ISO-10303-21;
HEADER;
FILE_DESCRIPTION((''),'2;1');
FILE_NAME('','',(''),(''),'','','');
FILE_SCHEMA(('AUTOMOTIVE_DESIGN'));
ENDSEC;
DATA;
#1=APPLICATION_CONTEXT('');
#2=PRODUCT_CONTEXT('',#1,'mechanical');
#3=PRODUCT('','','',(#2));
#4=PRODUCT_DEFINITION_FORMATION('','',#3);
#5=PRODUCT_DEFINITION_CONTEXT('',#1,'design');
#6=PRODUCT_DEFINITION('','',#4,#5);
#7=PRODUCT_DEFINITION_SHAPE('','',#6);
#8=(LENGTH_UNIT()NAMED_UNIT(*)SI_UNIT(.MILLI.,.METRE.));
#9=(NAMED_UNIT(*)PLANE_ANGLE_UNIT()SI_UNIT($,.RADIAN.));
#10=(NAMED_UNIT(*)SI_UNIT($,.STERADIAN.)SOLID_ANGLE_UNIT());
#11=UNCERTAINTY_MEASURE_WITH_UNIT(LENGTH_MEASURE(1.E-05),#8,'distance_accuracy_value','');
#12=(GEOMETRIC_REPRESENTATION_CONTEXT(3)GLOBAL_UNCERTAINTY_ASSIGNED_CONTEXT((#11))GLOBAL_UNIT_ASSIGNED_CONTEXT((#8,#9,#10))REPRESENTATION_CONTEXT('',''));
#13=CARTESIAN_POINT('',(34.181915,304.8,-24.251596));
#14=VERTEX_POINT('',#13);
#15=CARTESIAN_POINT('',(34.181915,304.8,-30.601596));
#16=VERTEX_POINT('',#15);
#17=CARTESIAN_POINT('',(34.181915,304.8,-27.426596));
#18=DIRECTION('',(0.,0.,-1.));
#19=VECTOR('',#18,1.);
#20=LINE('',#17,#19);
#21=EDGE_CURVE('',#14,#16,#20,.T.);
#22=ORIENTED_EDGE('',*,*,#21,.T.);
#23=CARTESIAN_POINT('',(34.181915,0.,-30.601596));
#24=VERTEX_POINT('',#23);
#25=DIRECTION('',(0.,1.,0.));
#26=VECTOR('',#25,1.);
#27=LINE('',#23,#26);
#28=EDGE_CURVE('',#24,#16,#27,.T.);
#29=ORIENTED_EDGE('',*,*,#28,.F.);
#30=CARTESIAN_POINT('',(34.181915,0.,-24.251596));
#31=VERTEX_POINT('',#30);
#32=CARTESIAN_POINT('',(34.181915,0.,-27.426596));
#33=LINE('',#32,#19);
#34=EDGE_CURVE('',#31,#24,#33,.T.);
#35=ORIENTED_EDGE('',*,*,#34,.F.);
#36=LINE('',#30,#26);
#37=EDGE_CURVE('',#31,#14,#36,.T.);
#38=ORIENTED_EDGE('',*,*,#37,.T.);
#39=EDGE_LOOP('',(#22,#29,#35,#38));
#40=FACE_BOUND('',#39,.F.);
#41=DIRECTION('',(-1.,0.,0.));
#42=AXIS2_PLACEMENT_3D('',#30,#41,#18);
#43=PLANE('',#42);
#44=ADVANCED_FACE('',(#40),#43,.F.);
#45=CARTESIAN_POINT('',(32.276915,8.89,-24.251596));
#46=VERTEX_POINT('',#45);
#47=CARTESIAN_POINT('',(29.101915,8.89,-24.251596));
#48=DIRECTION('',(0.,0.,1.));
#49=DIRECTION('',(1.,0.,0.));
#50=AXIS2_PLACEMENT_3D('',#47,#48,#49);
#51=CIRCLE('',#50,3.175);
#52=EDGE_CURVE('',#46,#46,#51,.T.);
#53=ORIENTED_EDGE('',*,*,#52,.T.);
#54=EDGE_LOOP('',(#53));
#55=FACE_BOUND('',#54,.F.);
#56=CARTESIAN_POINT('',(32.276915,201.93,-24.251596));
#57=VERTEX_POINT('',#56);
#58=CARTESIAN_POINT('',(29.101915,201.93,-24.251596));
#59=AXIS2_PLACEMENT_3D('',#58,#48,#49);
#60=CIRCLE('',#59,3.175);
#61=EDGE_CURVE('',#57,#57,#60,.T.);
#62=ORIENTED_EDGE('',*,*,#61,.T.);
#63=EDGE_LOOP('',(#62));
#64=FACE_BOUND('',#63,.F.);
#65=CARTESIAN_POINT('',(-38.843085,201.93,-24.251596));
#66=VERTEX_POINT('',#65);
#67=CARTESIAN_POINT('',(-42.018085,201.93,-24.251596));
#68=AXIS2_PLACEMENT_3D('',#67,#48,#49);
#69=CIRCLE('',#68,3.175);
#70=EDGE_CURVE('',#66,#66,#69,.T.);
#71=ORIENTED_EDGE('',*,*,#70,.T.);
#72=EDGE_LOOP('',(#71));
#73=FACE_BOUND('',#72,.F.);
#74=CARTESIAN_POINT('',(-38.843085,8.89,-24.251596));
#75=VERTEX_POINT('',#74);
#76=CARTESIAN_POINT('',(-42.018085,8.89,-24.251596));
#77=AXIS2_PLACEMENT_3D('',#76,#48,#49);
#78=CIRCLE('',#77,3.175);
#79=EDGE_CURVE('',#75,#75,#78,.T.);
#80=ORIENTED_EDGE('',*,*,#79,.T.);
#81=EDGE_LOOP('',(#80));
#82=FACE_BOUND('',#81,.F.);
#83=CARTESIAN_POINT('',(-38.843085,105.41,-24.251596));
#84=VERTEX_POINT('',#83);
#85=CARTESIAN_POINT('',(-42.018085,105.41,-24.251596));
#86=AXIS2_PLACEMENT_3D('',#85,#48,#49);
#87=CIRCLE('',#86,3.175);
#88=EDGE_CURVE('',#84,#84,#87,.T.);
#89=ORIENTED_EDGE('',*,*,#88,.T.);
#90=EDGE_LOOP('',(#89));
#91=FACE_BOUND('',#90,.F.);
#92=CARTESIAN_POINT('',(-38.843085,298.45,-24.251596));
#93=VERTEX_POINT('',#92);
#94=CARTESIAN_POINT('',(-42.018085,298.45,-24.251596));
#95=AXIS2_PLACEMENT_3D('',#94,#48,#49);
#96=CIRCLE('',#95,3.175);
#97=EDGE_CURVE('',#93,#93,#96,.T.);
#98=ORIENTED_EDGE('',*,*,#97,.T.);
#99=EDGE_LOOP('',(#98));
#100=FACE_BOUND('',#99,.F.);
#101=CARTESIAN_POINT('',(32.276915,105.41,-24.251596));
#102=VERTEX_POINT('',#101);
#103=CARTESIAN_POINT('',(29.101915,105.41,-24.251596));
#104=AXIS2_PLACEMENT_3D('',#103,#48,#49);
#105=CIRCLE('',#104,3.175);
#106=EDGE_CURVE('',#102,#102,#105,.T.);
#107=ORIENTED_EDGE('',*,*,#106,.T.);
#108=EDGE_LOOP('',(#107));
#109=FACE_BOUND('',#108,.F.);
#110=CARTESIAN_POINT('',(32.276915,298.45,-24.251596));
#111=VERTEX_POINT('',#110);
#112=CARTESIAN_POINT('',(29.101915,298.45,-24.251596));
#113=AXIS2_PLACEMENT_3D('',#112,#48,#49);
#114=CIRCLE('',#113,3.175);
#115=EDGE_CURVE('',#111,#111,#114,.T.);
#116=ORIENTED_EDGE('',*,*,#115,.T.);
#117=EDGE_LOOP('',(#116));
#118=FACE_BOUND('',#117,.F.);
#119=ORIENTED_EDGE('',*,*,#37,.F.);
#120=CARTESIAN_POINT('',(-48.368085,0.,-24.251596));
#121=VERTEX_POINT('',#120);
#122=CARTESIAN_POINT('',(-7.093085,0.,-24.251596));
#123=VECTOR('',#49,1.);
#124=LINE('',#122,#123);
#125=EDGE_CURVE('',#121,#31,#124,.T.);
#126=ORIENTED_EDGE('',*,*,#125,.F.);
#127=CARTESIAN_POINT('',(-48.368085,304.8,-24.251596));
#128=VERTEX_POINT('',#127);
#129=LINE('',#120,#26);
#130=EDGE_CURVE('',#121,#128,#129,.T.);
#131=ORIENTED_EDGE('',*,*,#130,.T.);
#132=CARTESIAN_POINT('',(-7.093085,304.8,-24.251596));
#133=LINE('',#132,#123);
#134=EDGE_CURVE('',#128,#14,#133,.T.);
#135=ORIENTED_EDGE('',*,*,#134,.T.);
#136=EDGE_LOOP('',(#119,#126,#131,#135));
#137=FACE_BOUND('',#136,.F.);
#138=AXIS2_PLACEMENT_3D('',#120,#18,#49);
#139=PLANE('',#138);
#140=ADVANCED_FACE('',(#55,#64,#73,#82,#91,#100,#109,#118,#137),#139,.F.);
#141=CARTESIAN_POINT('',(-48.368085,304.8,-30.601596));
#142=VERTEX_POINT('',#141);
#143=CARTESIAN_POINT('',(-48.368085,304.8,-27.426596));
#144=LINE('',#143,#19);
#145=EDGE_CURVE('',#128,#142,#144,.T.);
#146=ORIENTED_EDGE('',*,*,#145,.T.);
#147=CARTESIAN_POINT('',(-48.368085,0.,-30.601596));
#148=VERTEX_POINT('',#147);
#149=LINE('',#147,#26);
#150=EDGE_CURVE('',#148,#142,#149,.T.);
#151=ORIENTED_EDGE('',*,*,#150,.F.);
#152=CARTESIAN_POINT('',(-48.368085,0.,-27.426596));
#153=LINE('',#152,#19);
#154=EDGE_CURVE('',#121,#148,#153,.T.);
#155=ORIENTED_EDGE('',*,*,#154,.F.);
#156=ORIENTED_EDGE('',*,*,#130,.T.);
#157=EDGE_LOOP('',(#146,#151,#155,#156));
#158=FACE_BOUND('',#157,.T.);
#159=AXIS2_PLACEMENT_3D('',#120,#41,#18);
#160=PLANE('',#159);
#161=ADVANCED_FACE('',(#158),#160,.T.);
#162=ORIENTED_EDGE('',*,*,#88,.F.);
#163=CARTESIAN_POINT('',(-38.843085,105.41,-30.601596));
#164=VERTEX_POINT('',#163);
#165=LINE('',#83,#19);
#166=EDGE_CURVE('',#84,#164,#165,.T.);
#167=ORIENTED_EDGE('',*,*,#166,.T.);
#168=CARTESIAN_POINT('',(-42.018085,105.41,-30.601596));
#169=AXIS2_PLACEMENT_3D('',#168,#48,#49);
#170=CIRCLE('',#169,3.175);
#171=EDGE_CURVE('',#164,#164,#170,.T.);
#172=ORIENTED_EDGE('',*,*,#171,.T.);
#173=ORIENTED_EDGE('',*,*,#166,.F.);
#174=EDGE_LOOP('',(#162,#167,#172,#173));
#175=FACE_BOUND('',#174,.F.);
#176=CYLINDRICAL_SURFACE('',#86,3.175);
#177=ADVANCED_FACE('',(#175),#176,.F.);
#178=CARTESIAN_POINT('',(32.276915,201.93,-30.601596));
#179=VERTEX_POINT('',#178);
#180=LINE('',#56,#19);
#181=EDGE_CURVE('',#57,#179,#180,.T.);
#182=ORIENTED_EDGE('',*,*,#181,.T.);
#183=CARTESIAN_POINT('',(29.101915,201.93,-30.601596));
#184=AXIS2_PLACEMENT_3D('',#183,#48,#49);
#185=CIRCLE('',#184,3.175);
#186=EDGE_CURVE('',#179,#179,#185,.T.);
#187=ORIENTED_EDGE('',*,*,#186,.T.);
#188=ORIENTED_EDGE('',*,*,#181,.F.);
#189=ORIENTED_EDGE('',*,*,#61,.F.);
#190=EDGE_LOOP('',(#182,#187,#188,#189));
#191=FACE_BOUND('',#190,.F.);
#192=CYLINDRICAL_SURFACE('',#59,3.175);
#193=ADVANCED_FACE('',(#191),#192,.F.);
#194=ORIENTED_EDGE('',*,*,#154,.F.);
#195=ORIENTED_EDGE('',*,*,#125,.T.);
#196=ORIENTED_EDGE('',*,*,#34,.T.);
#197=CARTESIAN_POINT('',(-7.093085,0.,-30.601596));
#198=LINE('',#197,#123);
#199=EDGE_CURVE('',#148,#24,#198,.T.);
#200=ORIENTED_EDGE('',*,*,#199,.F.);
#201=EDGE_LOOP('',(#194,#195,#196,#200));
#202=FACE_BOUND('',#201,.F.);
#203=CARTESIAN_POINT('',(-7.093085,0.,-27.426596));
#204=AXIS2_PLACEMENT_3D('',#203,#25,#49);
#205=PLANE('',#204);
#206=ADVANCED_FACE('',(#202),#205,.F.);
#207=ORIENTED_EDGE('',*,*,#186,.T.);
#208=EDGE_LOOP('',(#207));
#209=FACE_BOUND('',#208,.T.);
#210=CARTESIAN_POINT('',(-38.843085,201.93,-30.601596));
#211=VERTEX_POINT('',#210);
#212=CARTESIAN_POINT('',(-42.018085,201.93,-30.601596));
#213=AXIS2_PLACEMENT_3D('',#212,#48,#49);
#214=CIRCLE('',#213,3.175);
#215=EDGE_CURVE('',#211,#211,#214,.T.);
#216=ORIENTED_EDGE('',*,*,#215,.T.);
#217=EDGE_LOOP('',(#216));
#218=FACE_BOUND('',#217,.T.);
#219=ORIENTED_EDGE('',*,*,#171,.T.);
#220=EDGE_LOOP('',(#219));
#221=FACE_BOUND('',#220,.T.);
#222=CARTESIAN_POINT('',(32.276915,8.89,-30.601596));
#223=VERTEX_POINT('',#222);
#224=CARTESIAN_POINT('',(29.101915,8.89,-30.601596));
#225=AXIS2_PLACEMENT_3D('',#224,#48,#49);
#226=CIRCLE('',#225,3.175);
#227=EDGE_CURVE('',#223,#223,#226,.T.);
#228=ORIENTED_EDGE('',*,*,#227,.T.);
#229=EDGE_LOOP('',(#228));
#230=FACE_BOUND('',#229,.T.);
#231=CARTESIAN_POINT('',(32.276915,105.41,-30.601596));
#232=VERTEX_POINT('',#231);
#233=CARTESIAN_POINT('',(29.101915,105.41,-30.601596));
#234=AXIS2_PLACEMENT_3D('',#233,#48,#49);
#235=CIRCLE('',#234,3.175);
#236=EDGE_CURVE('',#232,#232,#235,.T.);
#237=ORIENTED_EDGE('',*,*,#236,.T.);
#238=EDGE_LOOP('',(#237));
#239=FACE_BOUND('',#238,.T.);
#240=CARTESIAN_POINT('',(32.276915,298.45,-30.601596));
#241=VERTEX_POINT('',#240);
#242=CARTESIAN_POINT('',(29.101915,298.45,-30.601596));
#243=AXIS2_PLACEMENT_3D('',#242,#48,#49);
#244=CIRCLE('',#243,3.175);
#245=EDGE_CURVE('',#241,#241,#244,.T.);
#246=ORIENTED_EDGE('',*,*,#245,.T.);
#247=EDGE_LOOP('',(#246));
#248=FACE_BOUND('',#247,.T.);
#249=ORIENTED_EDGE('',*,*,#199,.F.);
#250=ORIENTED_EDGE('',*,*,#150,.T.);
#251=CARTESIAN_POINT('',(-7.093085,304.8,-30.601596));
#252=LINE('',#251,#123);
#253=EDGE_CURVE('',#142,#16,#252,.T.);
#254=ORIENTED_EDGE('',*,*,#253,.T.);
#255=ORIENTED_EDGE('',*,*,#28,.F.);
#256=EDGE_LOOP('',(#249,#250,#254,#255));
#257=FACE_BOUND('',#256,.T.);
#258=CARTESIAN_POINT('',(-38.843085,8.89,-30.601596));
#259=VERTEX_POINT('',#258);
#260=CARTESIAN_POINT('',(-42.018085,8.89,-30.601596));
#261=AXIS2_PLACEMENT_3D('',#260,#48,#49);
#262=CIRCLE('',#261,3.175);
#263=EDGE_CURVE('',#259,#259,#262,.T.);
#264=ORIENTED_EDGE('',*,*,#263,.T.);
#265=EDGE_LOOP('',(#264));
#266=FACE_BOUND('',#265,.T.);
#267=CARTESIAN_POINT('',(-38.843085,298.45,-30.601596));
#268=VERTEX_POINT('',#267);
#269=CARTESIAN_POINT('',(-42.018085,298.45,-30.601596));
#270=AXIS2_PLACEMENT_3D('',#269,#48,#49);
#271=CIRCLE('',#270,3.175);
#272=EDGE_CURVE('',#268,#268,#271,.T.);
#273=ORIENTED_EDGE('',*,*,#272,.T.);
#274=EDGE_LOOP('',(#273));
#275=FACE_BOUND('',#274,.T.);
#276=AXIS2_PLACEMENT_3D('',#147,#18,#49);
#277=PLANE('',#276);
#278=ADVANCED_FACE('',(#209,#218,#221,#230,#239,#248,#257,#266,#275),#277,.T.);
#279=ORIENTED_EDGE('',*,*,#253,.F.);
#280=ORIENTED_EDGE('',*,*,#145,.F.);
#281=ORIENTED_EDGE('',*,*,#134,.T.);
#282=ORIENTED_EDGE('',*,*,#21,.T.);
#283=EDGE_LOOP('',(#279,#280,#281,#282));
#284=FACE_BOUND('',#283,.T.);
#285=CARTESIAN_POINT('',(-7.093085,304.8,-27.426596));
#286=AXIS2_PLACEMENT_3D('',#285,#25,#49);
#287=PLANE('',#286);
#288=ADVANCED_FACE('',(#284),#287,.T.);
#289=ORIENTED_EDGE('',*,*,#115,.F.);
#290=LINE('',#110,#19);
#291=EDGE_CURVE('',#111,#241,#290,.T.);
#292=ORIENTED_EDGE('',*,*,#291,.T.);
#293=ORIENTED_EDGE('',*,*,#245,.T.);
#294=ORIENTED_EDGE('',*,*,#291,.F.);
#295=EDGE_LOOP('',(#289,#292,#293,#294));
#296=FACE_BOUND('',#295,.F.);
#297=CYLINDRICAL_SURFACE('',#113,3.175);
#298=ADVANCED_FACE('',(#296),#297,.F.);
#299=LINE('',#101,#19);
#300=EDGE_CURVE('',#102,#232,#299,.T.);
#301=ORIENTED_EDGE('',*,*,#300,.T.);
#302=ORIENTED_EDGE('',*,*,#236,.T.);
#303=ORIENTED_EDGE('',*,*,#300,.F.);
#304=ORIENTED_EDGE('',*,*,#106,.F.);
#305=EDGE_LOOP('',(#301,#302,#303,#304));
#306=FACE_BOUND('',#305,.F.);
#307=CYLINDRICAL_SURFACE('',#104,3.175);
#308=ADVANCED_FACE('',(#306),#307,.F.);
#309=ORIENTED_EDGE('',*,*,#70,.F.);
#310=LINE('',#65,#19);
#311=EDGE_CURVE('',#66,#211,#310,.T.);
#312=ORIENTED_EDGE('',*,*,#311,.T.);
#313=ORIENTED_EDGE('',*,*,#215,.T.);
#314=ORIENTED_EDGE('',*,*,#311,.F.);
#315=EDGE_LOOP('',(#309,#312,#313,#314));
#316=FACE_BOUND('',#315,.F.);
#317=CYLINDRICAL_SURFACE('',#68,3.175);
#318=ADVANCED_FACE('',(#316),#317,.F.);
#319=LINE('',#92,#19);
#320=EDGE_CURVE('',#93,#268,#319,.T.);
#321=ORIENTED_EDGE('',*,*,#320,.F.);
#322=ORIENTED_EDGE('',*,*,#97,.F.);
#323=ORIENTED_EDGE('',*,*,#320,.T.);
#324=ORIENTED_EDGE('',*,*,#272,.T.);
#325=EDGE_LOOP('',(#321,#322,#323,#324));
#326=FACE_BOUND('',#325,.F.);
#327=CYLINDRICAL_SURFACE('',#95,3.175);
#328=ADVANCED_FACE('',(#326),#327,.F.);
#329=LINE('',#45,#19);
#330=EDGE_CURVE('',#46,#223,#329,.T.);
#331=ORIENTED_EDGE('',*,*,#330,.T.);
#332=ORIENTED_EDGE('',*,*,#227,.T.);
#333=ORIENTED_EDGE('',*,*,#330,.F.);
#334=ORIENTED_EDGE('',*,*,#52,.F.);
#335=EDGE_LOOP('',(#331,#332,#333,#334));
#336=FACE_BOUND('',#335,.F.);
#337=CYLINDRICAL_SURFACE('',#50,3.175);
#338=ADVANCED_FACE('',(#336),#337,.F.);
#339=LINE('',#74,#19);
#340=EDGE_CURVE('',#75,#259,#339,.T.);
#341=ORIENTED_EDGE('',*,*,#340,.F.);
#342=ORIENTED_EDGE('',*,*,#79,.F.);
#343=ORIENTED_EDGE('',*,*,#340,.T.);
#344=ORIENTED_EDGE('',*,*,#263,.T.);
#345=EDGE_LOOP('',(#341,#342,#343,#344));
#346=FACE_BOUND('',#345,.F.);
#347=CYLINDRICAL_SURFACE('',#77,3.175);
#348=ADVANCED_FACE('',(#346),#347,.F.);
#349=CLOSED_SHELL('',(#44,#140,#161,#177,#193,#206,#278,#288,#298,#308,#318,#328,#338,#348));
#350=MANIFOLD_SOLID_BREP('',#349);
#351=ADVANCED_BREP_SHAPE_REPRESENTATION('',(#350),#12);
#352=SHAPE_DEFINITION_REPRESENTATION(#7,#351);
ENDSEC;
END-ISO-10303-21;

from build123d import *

# Parameters (mm, degrees)
SKETCH1_W                 = 82.55
SKETCH1_H                 = 6.35
BOSS_EXTRUDE1_DEPTH       = 304.8
SKETCH2_R                 = 3.175
CUT_EXTRUDE1_DEPTH        = 152.4
LPATTERN1_COUNT           = 4
LPATTERN1_PITCH           = 96.52
LPATTERN2_COUNT           = 2
LPATTERN2_PITCH           = 71.12
LPATTERN2_COPY_1_SKETCH_R = 3.175
LPATTERN2_COPY_1_DEPTH    = 152.4
LPATTERN2_COPY_2_SKETCH_R = 3.175
LPATTERN2_COPY_2_DEPTH    = 152.4
LPATTERN2_COPY_3_SKETCH_R = 3.175
LPATTERN2_COPY_3_DEPTH    = 152.4


with BuildPart() as part:
    # Sketch1 → Boss-Extrude1 (new body)
    with BuildSketch(Plane(origin=(0, 0, 0), x_dir=(1, 0, 0), z_dir=(0, 1, 0))):
        with Locations((-7.093085106, 27.426595745)):
            Rectangle(SKETCH1_W, SKETCH1_H)
    extrude(amount=BOSS_EXTRUDE1_DEPTH)

    # Sketch2 → Cut-Extrude1 (cut)
    with BuildSketch(Plane.XY.offset(-24.251595745)):
        with Locations((-42.018085106, 298.45)):
            Circle(SKETCH2_R)
    cut_extrude1 = extrude(amount=-CUT_EXTRUDE1_DEPTH, mode=Mode.SUBTRACT)

    # LPattern1: Cut-Extrude1 ×4
    with Locations(*[(0, -i * LPATTERN1_PITCH, 0) for i in range(1, LPATTERN1_COUNT)]):
        add(cut_extrude1, mode=Mode.SUBTRACT)

    # LPattern2: Cut-Extrude1 ×2
    with Locations(*[(i * LPATTERN2_PITCH, 0, 0) for i in range(1, LPATTERN2_COUNT)]):
        add(cut_extrude1, mode=Mode.SUBTRACT)

    # LPattern2 copy 1 sketch → LPattern2 copy 1 (cut)
    with BuildSketch(Plane(origin=(71.12, -96.52, -24.251595745), x_dir=(1, 0, 0), z_dir=(0, 0, 1))):
        with Locations((-42.018085106, 298.45)):
            Circle(LPATTERN2_COPY_1_SKETCH_R)
    extrude(amount=-LPATTERN2_COPY_1_DEPTH, mode=Mode.SUBTRACT)

    # LPattern2 copy 2 sketch → LPattern2 copy 2 (cut)
    with BuildSketch(Plane(origin=(71.12, -193.04, -24.251595745), x_dir=(1, 0, 0), z_dir=(0, 0, 1))):
        with Locations((-42.018085106, 298.45)):
            Circle(LPATTERN2_COPY_2_SKETCH_R)
    extrude(amount=-LPATTERN2_COPY_2_DEPTH, mode=Mode.SUBTRACT)

    # LPattern2 copy 3 sketch → LPattern2 copy 3 (cut)
    with BuildSketch(Plane(origin=(71.12, -289.56, -24.251595745), x_dir=(1, 0, 0), z_dir=(0, 0, 1))):
        with Locations((-42.018085106, 298.45)):
            Circle(LPATTERN2_COPY_3_SKETCH_R)
    extrude(amount=-LPATTERN2_COPY_3_DEPTH, mode=Mode.SUBTRACT)


solid = part.part
